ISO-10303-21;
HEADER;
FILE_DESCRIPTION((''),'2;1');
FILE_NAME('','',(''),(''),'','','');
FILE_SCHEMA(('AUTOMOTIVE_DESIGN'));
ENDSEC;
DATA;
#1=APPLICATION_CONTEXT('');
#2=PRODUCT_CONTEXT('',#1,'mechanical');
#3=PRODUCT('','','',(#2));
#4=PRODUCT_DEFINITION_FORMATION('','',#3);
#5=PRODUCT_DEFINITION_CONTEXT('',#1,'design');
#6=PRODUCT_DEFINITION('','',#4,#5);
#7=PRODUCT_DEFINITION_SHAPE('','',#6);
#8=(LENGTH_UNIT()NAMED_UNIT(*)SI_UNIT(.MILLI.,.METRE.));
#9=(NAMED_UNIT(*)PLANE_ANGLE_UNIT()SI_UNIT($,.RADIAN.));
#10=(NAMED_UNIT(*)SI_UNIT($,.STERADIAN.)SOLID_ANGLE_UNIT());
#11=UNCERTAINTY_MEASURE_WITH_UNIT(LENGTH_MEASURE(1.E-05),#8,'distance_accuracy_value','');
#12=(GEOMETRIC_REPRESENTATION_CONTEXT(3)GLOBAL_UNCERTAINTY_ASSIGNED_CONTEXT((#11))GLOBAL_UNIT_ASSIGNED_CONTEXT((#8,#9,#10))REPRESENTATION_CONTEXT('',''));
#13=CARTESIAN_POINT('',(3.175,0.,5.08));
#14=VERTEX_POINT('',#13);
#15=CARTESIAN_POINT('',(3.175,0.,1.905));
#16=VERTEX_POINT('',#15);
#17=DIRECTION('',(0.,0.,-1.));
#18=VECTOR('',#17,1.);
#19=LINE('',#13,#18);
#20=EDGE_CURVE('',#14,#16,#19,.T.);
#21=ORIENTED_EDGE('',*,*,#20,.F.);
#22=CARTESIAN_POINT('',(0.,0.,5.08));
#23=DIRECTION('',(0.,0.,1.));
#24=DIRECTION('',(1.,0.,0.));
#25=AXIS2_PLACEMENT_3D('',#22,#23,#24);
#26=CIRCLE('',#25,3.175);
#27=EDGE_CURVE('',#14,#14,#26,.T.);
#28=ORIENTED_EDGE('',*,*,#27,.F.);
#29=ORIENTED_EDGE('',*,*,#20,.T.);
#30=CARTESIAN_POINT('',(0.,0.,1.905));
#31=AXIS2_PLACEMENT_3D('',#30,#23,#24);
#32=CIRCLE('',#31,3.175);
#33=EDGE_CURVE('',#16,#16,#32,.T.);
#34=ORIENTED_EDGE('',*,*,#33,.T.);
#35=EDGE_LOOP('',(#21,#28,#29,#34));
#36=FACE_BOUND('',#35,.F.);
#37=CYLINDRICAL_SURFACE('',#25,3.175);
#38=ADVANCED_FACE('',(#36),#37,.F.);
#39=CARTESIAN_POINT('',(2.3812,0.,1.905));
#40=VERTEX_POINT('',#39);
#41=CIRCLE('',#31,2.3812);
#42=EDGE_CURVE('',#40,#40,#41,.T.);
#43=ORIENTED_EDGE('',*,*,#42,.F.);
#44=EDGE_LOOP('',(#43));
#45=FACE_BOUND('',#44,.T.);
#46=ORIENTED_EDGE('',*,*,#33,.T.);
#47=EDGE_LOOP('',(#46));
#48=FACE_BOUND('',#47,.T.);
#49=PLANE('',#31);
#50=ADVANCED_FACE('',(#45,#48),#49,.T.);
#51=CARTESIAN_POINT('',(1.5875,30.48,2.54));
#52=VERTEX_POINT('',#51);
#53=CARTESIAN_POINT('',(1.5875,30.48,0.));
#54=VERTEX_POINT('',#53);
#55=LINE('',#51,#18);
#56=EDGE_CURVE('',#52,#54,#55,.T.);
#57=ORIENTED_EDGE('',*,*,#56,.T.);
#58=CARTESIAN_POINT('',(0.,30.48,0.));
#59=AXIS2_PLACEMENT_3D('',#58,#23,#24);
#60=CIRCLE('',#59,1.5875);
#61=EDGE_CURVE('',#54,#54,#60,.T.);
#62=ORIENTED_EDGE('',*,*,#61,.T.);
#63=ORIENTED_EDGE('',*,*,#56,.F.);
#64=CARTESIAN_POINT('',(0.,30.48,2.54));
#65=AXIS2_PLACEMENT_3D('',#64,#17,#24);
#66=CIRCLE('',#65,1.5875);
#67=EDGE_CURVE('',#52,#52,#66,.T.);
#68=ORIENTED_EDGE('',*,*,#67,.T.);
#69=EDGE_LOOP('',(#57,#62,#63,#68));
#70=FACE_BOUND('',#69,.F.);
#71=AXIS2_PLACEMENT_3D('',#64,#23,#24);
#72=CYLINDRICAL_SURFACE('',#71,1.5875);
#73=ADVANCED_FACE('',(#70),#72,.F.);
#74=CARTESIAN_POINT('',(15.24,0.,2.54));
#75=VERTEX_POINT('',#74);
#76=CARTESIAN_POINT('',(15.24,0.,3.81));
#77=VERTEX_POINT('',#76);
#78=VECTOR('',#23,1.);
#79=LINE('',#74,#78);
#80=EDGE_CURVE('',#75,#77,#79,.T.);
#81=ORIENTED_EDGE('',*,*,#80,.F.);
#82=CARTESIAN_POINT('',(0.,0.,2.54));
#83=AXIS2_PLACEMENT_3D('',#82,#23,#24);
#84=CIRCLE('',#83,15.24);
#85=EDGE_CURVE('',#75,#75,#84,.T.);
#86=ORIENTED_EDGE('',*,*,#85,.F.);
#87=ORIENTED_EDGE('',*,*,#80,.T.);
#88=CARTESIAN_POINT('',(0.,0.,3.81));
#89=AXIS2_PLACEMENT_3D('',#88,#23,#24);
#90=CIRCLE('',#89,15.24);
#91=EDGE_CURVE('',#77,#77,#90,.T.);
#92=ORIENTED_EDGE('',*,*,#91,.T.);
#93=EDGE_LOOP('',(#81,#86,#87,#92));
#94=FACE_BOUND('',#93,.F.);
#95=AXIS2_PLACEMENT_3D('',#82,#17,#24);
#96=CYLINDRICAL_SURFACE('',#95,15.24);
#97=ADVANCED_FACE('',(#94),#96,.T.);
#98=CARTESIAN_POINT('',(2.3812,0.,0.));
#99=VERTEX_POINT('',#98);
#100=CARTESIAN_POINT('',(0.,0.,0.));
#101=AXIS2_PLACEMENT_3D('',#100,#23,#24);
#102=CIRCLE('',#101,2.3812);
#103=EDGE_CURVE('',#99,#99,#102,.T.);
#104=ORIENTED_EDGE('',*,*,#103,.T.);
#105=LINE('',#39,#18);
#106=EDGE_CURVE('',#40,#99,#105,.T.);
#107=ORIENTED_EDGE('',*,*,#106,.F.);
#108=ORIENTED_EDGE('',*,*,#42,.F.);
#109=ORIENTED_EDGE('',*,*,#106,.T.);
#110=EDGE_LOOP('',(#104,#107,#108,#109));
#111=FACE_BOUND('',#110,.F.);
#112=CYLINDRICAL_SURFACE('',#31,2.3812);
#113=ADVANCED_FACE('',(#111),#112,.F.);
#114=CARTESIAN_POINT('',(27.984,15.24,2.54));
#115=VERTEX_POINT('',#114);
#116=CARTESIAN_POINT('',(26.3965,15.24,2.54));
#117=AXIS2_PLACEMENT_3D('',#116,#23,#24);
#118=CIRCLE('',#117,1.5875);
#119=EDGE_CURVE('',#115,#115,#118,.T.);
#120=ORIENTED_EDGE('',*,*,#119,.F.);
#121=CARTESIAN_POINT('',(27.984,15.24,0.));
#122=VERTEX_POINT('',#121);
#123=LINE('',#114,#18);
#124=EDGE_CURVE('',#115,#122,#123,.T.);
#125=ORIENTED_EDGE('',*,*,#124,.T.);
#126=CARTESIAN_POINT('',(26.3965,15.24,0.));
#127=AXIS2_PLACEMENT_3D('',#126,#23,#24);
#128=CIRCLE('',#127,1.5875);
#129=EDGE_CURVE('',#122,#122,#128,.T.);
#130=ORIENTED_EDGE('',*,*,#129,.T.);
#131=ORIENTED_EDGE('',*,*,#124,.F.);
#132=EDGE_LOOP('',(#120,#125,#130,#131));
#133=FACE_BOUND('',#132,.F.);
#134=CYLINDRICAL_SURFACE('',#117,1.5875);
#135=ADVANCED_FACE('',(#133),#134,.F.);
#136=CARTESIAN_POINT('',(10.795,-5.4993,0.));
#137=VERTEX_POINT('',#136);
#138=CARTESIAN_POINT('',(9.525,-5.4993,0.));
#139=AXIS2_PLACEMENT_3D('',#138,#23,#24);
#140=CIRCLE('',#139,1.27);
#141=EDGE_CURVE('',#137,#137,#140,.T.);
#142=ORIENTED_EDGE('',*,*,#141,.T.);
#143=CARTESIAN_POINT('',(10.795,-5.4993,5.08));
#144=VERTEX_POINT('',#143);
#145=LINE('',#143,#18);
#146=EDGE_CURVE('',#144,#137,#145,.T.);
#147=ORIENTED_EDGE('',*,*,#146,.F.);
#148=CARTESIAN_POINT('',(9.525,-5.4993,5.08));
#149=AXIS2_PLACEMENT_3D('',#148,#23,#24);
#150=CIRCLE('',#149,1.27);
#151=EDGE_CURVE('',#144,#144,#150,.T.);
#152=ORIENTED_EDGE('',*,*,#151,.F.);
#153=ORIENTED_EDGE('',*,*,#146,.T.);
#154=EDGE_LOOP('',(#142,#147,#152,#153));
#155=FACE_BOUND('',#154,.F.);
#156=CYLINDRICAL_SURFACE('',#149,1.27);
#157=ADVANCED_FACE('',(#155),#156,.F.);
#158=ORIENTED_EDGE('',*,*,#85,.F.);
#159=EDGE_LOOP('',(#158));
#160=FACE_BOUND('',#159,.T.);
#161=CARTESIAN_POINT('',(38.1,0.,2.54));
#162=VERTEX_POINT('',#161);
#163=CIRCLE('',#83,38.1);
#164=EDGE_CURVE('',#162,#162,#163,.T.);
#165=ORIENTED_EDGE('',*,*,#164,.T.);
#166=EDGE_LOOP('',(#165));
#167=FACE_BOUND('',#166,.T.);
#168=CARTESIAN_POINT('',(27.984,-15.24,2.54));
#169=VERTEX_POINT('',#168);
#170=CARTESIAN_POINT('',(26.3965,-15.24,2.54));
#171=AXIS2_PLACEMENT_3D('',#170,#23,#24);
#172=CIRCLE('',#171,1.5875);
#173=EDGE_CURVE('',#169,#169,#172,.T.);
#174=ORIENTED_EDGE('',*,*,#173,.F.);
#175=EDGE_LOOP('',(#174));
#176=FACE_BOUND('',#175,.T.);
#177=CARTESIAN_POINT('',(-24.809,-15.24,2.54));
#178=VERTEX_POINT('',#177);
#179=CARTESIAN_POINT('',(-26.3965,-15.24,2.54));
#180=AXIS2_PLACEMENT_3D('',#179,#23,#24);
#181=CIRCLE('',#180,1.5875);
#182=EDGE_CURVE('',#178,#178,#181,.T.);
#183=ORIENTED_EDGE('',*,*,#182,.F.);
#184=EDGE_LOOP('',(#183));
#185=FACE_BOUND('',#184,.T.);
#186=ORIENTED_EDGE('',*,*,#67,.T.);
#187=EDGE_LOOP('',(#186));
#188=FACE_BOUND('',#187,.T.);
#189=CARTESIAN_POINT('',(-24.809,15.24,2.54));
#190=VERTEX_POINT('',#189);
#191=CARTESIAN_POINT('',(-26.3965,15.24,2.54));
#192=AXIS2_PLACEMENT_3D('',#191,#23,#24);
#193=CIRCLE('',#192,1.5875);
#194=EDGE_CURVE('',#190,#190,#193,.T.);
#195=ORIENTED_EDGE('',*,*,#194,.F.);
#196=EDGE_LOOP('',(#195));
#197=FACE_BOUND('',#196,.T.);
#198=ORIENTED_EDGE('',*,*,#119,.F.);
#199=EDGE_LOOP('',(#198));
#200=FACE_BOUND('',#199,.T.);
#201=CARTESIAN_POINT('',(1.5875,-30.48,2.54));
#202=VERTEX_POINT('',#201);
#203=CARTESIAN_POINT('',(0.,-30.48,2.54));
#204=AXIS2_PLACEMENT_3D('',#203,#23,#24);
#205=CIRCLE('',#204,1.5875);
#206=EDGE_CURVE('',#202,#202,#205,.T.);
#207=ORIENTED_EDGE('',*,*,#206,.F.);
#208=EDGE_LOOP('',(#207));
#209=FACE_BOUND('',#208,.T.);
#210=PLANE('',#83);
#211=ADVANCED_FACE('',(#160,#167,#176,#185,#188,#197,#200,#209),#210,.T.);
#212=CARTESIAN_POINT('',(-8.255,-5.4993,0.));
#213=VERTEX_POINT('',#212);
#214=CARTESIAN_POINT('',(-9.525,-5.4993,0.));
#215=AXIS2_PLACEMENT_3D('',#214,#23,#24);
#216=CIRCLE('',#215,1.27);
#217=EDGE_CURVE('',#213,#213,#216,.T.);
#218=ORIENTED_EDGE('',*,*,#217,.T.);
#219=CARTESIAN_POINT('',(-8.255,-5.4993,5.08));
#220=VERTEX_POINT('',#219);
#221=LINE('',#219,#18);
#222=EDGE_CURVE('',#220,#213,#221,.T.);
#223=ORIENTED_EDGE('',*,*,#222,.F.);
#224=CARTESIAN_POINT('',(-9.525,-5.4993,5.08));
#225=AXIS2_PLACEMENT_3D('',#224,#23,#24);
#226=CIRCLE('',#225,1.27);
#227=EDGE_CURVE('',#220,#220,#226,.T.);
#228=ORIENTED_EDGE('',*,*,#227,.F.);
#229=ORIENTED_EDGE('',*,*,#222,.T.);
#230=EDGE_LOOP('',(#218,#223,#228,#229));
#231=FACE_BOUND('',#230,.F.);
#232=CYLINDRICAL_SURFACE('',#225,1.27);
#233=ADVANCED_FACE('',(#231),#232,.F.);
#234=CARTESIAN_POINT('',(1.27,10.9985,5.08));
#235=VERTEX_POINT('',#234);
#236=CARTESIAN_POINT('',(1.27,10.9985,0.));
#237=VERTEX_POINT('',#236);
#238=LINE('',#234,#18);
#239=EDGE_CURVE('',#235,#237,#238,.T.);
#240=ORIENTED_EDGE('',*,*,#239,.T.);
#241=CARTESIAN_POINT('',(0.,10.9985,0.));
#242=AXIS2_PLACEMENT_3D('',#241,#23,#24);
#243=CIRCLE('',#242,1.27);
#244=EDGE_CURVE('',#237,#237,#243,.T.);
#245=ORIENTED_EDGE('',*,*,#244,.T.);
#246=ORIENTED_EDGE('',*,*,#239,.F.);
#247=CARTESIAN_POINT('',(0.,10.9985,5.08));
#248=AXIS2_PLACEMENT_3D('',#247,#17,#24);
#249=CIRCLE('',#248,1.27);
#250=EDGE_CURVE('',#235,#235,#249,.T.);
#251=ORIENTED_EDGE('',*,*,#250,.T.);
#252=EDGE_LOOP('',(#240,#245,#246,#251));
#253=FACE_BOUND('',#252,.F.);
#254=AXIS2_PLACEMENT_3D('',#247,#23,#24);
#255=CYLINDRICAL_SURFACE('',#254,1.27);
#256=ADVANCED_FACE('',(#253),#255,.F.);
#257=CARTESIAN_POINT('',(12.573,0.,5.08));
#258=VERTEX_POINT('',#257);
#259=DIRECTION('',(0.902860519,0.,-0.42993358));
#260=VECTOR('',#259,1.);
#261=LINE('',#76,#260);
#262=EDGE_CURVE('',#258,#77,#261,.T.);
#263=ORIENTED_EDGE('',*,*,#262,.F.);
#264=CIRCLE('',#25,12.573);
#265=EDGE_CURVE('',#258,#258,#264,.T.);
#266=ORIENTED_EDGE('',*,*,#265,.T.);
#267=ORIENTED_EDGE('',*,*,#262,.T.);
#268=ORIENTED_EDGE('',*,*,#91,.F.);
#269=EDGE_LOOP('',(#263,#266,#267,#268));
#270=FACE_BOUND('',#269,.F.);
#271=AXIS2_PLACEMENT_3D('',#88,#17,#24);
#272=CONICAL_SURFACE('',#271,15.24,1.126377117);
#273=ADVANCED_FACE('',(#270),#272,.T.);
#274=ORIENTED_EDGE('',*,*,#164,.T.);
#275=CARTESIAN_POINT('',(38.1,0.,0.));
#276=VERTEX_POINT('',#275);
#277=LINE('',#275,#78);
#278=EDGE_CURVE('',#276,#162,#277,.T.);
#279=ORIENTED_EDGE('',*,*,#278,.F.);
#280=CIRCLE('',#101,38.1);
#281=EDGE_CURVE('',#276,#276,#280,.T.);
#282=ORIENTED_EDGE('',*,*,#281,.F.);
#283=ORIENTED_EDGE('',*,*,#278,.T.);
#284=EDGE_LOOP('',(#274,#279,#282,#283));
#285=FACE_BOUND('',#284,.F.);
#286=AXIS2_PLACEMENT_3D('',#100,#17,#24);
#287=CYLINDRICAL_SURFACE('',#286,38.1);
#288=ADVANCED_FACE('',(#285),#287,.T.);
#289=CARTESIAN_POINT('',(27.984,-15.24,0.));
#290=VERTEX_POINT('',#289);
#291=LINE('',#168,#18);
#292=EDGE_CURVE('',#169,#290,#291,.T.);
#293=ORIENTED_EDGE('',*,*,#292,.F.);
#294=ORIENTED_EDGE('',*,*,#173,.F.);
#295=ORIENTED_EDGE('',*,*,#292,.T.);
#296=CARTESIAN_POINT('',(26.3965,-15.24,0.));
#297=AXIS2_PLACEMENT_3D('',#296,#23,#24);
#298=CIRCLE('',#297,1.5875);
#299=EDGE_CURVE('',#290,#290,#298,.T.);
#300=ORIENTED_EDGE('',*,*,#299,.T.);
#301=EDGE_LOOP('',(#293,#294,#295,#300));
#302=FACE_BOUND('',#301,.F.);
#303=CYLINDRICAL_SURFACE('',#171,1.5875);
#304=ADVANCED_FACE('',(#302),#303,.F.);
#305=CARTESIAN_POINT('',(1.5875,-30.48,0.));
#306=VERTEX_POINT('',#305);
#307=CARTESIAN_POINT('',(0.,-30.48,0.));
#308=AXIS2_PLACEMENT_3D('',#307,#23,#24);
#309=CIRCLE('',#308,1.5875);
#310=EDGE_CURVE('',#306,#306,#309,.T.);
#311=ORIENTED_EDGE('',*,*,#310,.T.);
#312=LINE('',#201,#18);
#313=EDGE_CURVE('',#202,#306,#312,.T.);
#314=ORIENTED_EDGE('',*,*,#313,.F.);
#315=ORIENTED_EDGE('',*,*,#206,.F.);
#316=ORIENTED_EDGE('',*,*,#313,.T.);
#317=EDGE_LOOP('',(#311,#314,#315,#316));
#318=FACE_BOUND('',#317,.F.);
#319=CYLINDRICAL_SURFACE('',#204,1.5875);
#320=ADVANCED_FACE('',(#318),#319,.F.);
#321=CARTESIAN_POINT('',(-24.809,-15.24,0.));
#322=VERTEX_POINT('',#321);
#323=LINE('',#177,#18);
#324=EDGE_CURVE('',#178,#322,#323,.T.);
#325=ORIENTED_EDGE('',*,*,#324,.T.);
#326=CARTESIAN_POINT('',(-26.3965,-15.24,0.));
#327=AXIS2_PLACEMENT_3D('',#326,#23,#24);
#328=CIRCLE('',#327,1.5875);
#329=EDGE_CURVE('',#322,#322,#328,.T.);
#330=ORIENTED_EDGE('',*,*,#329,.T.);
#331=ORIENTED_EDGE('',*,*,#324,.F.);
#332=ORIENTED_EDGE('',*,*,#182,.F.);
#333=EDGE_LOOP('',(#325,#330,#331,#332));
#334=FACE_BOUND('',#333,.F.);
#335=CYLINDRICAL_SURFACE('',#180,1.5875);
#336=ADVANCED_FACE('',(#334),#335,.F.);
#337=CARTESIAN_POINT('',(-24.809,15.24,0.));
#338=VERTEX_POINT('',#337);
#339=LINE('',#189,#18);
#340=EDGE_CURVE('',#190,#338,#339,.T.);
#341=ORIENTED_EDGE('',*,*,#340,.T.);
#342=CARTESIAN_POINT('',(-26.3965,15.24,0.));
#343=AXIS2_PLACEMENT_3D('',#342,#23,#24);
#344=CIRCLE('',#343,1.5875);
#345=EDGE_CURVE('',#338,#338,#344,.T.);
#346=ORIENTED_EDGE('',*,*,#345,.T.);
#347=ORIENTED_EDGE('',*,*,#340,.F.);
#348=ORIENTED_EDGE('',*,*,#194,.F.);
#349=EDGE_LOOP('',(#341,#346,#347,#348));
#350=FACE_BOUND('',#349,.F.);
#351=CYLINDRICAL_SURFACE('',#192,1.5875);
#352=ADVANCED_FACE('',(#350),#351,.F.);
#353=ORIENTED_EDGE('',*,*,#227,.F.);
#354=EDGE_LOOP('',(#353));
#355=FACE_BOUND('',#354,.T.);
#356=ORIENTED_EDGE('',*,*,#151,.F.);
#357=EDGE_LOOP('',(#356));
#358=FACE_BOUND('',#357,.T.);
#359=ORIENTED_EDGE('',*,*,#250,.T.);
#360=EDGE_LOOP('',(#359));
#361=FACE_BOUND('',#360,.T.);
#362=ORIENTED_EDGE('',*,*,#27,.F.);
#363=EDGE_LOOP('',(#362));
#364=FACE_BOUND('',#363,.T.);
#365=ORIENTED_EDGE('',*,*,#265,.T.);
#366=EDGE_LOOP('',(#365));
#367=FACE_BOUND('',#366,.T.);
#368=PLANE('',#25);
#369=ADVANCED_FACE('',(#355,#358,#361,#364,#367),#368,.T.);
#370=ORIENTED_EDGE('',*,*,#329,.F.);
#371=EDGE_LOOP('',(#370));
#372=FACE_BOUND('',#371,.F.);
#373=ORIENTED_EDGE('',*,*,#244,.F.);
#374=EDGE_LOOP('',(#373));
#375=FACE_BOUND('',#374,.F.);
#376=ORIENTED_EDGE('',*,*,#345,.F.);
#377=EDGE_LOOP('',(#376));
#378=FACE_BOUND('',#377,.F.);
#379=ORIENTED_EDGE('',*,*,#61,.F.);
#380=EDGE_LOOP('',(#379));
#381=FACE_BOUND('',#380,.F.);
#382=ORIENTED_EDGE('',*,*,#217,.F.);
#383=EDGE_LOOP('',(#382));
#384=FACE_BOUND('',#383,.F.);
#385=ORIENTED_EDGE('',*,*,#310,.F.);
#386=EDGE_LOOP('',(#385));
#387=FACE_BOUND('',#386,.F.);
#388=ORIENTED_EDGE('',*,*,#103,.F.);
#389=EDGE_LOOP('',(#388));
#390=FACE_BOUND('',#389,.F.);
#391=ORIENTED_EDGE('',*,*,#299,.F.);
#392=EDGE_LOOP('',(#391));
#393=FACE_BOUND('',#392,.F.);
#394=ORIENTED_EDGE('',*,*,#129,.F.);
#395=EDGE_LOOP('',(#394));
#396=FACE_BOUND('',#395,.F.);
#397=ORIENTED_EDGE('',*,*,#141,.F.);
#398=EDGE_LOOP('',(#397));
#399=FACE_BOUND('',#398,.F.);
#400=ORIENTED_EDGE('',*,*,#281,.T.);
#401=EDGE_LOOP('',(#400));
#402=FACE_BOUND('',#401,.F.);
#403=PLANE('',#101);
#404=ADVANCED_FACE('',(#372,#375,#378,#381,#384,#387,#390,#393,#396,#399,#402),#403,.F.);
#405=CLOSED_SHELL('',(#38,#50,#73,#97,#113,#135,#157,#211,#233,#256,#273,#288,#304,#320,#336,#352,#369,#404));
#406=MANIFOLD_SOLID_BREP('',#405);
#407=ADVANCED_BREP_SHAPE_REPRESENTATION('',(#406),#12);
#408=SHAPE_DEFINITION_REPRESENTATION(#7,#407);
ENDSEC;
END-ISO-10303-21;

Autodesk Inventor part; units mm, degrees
ref_plane "YZ Plane" through (0, 0, 0) normal (1, 0, 0) x (0, 1, 0)
ref_plane "XZ Plane" through (0, 0, 0) normal (0, 1, 0) x (-1, 0, 0)
ref_plane "XY Plane" through (0, 0, 0) normal (0, 0, 1) x (1, 0, 0)
sketch "Sketch1" plane through (0, 0, 0) normal (0, 0, 1) x (1, 0, 0)
  circle A0 centre (0, 0) radius 38.1
  dimension "d0" = 76.2
extrude "Extrusion1" add sketch "Sketch1" along normal blind 2.54
sketch "Sketch5" plane through (0, 0, 2.54) normal (0, 0, 1) x (1, 0, 0)
  circle A0 centre (0, 0) radius 15.24
  dimension "d24" = 30.48
extrude "Extrusion7" add sketch "Sketch5" along normal blind 2.54
sketch "Sketch6" plane through (0, 0, 5.08) normal (0, 0, 1) x (1, 0, 0)
  line L0 (0, 0) -> (0, 10.9985)
  circle A0 centre (0, 10.9985) radius 1.27
  circle A1 centre (-9.525, -5.4993) radius 1.27
  circle A2 centre (9.525, -5.4993) radius 1.27
  dimension "d28" = 2.54
  dimension "d31" = 360
  dimension "d49" = 19.05
extrude "Extrusion8" cut sketch "Sketch6" against normal through all
sketch "Sketch7" plane through (0, 0, 5.08) normal (0, 0, 1) x (1, 0, 0)
  circle A0 centre (0, 0) radius 3.175
  dimension "d35" = 6.35
extrude "Extrusion9" cut sketch "Sketch7" against normal blind 3.175
sketch "Sketch8" plane through (0, 0, 1.905) normal (0, 0, 1) x (1, 0, 0)
  circle A0 centre (0, 0) radius 2.3812
  dimension "d38" = 4.7625
extrude "Extrusion10" cut sketch "Sketch8" against normal through all
sketch "Sketch9" plane through (0, 0, 2.54) normal (0, 0, 1) x (1, 0, 0)
  line L0 (0, 0) -> (0, 30.48)
  circle A0 centre (0, 30.48) radius 1.5875
  circle A1 centre (-26.3965, 15.24) radius 1.5875
  circle A2 centre (-26.3965, -15.24) radius 1.5875
  circle A3 centre (0, -30.48) radius 1.5875
  circle A4 centre (26.3965, -15.24) radius 1.5875
  circle A5 centre (26.3965, 15.24) radius 1.5875
  dimension "d41" = 30.48
  dimension "d42" = 3.175
  dimension "d45" = 360
extrude "Extrusion11" cut sketch "Sketch9" against normal blind 25.4
chamfer "Chamfer1" distance 2.667 distance2 1.27 1 edges at (-15.24, 0, 5.08) measured on face at (4.9695, 7.5399, 5.08)
properties part number "SpoolEndSpurSideLargeSpur" material "ABS Plastic"
